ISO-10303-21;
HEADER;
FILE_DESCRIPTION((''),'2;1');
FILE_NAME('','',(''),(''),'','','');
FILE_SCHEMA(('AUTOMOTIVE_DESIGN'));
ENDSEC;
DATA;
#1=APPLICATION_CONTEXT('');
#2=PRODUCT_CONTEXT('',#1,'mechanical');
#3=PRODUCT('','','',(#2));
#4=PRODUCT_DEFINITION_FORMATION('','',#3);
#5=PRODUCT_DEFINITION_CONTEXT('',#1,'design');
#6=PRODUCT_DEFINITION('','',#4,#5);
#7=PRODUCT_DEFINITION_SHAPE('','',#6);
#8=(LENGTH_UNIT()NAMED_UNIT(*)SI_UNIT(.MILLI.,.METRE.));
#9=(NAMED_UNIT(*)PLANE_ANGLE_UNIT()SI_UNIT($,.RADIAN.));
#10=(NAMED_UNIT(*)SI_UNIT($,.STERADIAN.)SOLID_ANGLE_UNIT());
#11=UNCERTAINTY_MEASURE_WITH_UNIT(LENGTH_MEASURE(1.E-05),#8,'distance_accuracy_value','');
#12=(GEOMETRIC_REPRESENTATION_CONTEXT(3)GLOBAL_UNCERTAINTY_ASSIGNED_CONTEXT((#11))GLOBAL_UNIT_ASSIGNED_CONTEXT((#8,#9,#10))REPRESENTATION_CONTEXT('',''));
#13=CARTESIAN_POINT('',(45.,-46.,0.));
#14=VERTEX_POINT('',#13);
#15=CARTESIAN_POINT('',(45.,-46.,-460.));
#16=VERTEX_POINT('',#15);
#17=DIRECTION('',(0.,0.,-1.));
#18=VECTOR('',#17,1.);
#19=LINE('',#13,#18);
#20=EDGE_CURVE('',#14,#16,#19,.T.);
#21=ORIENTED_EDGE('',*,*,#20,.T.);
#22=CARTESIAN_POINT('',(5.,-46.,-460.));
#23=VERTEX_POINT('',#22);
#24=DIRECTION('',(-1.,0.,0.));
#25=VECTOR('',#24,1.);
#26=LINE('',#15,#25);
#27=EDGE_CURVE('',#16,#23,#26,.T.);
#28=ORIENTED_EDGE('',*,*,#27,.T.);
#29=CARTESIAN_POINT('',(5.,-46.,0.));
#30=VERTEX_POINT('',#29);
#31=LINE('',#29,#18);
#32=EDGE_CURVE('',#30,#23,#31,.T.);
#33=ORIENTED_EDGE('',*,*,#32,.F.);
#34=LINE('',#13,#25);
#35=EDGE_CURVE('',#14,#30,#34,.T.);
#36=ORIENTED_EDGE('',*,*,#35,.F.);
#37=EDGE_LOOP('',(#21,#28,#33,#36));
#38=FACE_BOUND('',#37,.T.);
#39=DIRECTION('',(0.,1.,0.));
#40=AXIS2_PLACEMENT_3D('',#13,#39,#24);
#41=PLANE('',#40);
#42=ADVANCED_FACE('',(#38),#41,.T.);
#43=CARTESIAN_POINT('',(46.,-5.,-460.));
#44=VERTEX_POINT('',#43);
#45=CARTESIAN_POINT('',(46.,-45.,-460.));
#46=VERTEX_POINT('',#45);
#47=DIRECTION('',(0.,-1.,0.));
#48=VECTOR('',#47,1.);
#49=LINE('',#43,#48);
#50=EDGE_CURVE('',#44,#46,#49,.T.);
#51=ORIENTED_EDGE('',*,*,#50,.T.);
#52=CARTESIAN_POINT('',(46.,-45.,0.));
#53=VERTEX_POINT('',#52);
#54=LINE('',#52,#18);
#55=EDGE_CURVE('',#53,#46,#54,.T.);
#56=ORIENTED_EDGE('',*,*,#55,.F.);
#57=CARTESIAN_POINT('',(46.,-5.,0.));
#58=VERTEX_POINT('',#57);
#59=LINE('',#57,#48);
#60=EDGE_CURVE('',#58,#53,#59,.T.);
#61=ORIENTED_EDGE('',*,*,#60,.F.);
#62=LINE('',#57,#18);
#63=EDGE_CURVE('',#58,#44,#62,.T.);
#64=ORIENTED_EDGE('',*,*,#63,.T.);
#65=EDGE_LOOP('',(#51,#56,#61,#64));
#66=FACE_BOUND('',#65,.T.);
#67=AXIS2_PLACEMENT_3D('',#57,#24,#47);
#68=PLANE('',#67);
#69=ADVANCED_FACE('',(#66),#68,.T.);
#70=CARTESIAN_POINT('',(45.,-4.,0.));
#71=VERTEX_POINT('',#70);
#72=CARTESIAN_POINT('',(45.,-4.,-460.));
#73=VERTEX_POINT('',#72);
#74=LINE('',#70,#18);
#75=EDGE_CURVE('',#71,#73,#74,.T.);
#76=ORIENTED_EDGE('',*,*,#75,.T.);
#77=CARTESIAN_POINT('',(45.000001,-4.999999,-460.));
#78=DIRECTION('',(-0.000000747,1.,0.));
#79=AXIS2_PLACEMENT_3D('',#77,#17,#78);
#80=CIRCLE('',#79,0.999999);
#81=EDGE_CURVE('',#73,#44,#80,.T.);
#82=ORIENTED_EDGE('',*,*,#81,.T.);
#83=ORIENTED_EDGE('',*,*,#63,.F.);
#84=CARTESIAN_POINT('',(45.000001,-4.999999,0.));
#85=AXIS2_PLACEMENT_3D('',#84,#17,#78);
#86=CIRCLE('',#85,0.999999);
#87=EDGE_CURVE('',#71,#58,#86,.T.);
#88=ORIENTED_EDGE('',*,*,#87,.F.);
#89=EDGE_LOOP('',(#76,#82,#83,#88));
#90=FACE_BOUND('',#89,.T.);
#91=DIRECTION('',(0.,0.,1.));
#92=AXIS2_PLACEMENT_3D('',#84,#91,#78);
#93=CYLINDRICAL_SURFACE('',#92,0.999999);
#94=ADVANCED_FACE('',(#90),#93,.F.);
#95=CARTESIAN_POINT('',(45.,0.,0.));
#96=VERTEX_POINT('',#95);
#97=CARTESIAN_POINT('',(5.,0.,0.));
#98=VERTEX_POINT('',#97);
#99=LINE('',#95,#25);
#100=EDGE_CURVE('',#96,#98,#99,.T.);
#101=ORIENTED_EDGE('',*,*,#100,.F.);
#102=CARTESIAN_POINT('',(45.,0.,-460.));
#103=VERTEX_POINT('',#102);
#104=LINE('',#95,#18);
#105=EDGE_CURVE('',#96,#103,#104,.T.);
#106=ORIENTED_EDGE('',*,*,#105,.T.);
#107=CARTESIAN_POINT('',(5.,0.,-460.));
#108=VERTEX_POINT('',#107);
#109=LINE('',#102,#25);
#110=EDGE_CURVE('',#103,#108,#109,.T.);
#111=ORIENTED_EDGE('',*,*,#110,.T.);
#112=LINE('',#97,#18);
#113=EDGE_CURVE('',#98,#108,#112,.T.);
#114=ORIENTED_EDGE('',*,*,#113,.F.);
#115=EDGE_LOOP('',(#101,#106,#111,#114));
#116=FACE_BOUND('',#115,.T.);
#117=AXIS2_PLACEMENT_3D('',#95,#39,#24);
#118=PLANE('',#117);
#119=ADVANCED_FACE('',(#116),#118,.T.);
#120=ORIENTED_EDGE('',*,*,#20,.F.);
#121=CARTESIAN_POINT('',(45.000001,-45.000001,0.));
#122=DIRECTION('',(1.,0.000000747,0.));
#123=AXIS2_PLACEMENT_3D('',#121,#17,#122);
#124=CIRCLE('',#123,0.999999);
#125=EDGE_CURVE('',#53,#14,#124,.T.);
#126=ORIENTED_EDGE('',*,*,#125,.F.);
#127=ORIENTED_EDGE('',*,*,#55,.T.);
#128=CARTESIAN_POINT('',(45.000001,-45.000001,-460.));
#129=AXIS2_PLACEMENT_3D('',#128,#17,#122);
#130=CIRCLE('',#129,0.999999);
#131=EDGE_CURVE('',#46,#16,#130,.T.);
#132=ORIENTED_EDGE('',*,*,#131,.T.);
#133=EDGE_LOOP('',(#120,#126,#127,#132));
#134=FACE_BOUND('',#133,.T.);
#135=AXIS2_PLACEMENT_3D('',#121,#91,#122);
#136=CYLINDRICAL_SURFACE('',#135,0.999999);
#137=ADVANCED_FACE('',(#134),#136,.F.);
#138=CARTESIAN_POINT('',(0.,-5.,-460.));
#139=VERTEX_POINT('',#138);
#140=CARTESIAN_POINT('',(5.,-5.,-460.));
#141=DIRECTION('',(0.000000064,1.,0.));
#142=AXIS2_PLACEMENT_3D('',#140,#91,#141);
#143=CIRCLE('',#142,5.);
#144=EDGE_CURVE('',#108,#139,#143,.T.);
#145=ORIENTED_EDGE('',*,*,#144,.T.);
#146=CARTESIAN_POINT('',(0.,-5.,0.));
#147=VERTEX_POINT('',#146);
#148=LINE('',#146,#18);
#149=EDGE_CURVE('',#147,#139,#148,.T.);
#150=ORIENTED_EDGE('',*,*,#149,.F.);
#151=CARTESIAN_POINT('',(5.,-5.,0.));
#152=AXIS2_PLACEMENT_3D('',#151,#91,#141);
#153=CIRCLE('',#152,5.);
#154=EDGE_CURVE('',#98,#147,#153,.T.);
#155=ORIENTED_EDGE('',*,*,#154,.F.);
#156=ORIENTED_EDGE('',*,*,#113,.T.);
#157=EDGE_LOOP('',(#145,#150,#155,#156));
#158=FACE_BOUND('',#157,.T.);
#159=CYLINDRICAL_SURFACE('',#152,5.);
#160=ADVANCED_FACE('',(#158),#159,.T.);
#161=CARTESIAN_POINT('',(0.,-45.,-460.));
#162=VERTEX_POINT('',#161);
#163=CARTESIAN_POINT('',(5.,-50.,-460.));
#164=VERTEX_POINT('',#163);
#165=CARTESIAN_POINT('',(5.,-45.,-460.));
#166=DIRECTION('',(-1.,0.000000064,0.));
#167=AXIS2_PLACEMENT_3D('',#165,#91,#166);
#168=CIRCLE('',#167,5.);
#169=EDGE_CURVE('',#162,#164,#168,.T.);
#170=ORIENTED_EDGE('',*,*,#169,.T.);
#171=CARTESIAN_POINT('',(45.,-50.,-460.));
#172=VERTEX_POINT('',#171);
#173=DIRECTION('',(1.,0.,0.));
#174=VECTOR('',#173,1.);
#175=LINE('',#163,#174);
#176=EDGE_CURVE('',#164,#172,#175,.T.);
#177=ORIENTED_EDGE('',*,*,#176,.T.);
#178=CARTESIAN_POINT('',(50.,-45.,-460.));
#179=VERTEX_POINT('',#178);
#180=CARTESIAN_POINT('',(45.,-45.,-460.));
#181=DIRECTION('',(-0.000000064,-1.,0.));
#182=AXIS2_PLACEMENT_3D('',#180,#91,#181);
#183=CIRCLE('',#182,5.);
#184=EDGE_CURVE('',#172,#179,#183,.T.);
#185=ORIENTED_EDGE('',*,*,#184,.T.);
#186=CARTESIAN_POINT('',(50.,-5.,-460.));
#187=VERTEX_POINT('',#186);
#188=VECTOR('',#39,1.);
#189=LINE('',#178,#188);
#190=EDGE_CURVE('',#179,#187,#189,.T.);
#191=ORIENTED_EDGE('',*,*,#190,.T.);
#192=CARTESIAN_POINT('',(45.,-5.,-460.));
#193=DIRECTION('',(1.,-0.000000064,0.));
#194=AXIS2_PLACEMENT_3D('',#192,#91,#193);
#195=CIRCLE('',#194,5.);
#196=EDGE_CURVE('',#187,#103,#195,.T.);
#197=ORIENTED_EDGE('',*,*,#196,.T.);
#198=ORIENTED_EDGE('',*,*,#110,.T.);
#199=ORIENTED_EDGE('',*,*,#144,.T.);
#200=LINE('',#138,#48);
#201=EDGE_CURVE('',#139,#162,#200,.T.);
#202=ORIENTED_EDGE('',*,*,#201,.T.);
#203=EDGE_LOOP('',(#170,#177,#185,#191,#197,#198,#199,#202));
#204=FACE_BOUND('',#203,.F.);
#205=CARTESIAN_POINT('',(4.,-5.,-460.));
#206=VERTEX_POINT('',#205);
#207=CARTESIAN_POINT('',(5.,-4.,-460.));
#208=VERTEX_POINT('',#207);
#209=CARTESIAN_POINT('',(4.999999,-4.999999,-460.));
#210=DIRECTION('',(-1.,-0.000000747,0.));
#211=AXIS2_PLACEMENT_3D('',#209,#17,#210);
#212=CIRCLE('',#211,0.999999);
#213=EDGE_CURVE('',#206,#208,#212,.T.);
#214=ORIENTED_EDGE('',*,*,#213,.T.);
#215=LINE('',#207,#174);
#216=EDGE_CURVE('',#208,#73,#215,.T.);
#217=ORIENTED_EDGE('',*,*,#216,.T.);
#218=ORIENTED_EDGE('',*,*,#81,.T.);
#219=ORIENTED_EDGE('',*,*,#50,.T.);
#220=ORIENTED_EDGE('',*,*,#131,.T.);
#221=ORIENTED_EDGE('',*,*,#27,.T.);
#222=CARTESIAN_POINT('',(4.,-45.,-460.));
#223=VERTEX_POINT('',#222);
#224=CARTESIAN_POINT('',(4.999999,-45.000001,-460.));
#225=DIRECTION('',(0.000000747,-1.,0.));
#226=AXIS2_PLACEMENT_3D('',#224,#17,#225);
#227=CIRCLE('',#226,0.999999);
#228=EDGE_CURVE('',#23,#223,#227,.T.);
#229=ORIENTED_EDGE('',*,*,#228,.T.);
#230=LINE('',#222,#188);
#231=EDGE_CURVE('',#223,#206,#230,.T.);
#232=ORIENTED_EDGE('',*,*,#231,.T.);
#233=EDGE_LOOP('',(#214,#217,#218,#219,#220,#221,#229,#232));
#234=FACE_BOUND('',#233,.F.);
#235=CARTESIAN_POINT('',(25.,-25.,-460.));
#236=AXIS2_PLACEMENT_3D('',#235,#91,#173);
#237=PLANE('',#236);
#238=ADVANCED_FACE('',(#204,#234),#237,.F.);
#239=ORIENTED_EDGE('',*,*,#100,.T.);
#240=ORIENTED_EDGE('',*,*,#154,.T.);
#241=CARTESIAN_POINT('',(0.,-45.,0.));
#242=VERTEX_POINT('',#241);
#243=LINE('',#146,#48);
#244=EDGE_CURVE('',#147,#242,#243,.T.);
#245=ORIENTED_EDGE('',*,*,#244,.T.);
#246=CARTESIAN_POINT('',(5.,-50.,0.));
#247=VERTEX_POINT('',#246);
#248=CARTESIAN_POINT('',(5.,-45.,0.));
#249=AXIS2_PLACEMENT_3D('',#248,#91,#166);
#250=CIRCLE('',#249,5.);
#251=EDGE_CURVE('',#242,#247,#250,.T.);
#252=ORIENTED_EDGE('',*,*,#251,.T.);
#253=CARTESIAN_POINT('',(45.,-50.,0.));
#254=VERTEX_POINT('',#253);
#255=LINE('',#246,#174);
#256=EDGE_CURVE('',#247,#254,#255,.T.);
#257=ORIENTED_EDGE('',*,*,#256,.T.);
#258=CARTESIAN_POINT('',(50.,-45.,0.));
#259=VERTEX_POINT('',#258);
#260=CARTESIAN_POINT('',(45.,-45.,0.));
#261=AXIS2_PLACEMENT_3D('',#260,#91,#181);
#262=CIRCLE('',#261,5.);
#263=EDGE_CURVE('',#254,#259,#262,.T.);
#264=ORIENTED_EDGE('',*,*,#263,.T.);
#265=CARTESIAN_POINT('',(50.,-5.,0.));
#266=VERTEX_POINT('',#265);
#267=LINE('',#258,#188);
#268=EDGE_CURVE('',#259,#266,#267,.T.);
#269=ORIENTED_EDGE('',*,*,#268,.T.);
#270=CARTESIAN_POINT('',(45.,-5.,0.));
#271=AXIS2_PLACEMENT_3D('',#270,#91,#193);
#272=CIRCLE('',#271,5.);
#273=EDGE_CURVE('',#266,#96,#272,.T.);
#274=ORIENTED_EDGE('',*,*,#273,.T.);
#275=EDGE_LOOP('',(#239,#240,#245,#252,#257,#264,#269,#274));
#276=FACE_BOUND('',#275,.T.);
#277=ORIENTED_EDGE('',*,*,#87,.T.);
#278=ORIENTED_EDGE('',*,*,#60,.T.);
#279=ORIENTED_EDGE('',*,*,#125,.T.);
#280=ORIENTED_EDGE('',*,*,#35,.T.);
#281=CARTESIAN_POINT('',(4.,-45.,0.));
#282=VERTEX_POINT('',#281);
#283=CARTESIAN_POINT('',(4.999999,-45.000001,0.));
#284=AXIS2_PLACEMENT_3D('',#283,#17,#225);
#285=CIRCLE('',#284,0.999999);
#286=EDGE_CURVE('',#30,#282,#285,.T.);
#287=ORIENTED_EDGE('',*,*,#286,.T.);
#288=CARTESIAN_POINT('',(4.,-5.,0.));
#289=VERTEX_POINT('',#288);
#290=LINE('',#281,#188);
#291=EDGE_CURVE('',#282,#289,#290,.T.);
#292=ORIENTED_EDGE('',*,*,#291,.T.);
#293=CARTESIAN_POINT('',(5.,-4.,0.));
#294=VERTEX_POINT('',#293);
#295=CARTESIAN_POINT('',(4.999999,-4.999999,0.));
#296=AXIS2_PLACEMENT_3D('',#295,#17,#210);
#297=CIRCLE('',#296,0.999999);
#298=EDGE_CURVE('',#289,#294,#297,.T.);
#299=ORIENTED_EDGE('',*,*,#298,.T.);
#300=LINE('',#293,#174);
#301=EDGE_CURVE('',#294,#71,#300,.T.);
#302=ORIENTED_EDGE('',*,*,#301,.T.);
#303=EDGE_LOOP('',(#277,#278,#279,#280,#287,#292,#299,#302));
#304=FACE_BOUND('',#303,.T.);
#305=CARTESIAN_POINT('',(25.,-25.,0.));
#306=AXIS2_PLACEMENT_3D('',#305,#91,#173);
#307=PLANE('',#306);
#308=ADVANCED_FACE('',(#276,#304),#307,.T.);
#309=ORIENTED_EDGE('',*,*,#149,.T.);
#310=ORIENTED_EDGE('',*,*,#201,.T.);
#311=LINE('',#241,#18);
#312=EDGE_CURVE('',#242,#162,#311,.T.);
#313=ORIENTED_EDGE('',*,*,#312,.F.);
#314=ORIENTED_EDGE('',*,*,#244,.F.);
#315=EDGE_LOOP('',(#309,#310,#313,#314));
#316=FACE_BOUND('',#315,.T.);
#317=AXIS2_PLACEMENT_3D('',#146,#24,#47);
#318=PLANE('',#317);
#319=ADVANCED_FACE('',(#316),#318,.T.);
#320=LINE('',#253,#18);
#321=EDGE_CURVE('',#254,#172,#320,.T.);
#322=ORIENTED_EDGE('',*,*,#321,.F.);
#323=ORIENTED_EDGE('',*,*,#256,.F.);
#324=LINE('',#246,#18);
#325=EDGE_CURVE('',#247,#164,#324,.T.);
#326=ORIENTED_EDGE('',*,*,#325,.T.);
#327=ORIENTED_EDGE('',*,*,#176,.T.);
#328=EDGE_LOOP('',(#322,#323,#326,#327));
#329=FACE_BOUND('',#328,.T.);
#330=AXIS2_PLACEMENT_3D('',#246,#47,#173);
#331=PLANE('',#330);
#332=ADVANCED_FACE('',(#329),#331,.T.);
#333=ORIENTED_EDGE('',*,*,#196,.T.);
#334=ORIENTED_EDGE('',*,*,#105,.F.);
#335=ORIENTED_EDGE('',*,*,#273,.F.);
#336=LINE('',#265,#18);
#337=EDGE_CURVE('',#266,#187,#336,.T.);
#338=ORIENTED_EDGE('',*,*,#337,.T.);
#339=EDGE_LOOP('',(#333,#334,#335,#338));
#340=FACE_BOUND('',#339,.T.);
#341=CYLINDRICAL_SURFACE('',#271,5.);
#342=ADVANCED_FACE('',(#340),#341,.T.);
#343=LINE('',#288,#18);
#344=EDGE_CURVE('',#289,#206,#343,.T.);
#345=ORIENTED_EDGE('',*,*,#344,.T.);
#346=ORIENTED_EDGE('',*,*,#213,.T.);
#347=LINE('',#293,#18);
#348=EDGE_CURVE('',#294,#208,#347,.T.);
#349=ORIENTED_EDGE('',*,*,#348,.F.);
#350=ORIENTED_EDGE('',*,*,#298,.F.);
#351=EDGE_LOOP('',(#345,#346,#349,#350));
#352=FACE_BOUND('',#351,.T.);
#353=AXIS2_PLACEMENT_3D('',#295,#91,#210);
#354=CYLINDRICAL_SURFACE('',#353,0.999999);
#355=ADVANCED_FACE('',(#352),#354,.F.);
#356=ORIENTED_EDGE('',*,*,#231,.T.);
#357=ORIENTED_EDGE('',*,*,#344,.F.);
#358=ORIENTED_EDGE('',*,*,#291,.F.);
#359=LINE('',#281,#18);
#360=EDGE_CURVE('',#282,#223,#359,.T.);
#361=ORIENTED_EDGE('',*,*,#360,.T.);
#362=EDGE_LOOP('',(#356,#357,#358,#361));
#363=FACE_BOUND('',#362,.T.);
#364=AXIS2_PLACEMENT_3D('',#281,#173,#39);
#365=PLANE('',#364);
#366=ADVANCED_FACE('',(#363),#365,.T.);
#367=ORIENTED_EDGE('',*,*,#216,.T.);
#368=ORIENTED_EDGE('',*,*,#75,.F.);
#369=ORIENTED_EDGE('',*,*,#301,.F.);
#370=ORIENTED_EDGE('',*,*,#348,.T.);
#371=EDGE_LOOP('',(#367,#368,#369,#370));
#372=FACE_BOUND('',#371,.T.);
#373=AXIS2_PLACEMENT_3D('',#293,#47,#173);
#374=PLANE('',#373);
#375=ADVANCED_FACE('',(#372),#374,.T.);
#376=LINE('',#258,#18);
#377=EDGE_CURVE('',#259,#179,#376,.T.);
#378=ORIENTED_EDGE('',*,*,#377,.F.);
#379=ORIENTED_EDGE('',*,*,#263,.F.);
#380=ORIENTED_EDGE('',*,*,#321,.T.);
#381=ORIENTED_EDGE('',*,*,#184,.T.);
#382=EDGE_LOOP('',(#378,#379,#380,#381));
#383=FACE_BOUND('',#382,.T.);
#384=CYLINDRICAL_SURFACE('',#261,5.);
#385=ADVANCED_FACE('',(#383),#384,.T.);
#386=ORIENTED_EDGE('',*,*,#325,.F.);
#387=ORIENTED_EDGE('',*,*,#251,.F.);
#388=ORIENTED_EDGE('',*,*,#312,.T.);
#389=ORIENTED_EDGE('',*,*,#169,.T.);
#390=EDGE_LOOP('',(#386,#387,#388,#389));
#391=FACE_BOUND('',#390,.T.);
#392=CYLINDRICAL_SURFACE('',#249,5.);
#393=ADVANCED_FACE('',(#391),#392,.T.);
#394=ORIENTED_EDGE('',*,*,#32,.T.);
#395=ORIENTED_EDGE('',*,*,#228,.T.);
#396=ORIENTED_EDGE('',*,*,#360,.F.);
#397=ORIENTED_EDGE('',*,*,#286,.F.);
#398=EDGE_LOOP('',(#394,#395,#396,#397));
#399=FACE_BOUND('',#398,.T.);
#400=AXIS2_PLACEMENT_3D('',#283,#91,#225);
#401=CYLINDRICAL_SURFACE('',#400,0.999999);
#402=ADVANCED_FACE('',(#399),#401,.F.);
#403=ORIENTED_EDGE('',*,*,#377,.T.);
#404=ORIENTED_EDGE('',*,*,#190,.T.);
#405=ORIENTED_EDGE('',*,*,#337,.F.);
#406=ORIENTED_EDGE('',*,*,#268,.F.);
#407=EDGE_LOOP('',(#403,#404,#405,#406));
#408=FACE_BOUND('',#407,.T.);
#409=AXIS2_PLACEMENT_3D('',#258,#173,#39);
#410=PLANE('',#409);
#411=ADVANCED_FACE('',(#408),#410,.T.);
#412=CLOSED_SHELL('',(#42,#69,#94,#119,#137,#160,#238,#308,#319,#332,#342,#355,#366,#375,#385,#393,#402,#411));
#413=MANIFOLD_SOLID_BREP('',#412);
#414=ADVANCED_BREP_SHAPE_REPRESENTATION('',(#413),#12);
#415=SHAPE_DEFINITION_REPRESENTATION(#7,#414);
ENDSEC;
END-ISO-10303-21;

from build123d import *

# Parameters (mm, degrees)
F1_DEPTH = 460


with BuildPart() as f1:
    # F0 (on Top) → F1 (new body)
    with BuildSketch(Plane.XY):
        with BuildLine():
            Line((45, 0), (5, 0))
            ThreePointArc((5, 0), (1.464466, -1.464466), (0, -5))
            Line((0, -5), (0, -45))
            ThreePointArc((0, -45), (1.464466, -48.535534), (5, -50))
            Line((5, -50), (45, -50))
            ThreePointArc((45, -50), (48.535534, -48.535534), (50, -45))
            Line((50, -45), (50, -5))
            ThreePointArc((50, -5), (48.535534, -1.464466), (45, 0))
        make_face()
        with BuildLine():
            Line((4, -45), (4, -5))
            ThreePointArc((4, -5), (4.292893, -4.292893), (5, -4))
            Line((5, -4), (45, -4))
            ThreePointArc((45, -4), (45.707107, -4.292893), (46, -5))
            Line((46, -5), (46, -45))
            ThreePointArc((46, -45), (45.707107, -45.707107), (45, -46))
            Line((45, -46), (5, -46))
            ThreePointArc((5, -46), (4.292893, -45.707107), (4, -45))
        make_face(mode=Mode.SUBTRACT)
    extrude(amount=-F1_DEPTH)


solid = f1.part
